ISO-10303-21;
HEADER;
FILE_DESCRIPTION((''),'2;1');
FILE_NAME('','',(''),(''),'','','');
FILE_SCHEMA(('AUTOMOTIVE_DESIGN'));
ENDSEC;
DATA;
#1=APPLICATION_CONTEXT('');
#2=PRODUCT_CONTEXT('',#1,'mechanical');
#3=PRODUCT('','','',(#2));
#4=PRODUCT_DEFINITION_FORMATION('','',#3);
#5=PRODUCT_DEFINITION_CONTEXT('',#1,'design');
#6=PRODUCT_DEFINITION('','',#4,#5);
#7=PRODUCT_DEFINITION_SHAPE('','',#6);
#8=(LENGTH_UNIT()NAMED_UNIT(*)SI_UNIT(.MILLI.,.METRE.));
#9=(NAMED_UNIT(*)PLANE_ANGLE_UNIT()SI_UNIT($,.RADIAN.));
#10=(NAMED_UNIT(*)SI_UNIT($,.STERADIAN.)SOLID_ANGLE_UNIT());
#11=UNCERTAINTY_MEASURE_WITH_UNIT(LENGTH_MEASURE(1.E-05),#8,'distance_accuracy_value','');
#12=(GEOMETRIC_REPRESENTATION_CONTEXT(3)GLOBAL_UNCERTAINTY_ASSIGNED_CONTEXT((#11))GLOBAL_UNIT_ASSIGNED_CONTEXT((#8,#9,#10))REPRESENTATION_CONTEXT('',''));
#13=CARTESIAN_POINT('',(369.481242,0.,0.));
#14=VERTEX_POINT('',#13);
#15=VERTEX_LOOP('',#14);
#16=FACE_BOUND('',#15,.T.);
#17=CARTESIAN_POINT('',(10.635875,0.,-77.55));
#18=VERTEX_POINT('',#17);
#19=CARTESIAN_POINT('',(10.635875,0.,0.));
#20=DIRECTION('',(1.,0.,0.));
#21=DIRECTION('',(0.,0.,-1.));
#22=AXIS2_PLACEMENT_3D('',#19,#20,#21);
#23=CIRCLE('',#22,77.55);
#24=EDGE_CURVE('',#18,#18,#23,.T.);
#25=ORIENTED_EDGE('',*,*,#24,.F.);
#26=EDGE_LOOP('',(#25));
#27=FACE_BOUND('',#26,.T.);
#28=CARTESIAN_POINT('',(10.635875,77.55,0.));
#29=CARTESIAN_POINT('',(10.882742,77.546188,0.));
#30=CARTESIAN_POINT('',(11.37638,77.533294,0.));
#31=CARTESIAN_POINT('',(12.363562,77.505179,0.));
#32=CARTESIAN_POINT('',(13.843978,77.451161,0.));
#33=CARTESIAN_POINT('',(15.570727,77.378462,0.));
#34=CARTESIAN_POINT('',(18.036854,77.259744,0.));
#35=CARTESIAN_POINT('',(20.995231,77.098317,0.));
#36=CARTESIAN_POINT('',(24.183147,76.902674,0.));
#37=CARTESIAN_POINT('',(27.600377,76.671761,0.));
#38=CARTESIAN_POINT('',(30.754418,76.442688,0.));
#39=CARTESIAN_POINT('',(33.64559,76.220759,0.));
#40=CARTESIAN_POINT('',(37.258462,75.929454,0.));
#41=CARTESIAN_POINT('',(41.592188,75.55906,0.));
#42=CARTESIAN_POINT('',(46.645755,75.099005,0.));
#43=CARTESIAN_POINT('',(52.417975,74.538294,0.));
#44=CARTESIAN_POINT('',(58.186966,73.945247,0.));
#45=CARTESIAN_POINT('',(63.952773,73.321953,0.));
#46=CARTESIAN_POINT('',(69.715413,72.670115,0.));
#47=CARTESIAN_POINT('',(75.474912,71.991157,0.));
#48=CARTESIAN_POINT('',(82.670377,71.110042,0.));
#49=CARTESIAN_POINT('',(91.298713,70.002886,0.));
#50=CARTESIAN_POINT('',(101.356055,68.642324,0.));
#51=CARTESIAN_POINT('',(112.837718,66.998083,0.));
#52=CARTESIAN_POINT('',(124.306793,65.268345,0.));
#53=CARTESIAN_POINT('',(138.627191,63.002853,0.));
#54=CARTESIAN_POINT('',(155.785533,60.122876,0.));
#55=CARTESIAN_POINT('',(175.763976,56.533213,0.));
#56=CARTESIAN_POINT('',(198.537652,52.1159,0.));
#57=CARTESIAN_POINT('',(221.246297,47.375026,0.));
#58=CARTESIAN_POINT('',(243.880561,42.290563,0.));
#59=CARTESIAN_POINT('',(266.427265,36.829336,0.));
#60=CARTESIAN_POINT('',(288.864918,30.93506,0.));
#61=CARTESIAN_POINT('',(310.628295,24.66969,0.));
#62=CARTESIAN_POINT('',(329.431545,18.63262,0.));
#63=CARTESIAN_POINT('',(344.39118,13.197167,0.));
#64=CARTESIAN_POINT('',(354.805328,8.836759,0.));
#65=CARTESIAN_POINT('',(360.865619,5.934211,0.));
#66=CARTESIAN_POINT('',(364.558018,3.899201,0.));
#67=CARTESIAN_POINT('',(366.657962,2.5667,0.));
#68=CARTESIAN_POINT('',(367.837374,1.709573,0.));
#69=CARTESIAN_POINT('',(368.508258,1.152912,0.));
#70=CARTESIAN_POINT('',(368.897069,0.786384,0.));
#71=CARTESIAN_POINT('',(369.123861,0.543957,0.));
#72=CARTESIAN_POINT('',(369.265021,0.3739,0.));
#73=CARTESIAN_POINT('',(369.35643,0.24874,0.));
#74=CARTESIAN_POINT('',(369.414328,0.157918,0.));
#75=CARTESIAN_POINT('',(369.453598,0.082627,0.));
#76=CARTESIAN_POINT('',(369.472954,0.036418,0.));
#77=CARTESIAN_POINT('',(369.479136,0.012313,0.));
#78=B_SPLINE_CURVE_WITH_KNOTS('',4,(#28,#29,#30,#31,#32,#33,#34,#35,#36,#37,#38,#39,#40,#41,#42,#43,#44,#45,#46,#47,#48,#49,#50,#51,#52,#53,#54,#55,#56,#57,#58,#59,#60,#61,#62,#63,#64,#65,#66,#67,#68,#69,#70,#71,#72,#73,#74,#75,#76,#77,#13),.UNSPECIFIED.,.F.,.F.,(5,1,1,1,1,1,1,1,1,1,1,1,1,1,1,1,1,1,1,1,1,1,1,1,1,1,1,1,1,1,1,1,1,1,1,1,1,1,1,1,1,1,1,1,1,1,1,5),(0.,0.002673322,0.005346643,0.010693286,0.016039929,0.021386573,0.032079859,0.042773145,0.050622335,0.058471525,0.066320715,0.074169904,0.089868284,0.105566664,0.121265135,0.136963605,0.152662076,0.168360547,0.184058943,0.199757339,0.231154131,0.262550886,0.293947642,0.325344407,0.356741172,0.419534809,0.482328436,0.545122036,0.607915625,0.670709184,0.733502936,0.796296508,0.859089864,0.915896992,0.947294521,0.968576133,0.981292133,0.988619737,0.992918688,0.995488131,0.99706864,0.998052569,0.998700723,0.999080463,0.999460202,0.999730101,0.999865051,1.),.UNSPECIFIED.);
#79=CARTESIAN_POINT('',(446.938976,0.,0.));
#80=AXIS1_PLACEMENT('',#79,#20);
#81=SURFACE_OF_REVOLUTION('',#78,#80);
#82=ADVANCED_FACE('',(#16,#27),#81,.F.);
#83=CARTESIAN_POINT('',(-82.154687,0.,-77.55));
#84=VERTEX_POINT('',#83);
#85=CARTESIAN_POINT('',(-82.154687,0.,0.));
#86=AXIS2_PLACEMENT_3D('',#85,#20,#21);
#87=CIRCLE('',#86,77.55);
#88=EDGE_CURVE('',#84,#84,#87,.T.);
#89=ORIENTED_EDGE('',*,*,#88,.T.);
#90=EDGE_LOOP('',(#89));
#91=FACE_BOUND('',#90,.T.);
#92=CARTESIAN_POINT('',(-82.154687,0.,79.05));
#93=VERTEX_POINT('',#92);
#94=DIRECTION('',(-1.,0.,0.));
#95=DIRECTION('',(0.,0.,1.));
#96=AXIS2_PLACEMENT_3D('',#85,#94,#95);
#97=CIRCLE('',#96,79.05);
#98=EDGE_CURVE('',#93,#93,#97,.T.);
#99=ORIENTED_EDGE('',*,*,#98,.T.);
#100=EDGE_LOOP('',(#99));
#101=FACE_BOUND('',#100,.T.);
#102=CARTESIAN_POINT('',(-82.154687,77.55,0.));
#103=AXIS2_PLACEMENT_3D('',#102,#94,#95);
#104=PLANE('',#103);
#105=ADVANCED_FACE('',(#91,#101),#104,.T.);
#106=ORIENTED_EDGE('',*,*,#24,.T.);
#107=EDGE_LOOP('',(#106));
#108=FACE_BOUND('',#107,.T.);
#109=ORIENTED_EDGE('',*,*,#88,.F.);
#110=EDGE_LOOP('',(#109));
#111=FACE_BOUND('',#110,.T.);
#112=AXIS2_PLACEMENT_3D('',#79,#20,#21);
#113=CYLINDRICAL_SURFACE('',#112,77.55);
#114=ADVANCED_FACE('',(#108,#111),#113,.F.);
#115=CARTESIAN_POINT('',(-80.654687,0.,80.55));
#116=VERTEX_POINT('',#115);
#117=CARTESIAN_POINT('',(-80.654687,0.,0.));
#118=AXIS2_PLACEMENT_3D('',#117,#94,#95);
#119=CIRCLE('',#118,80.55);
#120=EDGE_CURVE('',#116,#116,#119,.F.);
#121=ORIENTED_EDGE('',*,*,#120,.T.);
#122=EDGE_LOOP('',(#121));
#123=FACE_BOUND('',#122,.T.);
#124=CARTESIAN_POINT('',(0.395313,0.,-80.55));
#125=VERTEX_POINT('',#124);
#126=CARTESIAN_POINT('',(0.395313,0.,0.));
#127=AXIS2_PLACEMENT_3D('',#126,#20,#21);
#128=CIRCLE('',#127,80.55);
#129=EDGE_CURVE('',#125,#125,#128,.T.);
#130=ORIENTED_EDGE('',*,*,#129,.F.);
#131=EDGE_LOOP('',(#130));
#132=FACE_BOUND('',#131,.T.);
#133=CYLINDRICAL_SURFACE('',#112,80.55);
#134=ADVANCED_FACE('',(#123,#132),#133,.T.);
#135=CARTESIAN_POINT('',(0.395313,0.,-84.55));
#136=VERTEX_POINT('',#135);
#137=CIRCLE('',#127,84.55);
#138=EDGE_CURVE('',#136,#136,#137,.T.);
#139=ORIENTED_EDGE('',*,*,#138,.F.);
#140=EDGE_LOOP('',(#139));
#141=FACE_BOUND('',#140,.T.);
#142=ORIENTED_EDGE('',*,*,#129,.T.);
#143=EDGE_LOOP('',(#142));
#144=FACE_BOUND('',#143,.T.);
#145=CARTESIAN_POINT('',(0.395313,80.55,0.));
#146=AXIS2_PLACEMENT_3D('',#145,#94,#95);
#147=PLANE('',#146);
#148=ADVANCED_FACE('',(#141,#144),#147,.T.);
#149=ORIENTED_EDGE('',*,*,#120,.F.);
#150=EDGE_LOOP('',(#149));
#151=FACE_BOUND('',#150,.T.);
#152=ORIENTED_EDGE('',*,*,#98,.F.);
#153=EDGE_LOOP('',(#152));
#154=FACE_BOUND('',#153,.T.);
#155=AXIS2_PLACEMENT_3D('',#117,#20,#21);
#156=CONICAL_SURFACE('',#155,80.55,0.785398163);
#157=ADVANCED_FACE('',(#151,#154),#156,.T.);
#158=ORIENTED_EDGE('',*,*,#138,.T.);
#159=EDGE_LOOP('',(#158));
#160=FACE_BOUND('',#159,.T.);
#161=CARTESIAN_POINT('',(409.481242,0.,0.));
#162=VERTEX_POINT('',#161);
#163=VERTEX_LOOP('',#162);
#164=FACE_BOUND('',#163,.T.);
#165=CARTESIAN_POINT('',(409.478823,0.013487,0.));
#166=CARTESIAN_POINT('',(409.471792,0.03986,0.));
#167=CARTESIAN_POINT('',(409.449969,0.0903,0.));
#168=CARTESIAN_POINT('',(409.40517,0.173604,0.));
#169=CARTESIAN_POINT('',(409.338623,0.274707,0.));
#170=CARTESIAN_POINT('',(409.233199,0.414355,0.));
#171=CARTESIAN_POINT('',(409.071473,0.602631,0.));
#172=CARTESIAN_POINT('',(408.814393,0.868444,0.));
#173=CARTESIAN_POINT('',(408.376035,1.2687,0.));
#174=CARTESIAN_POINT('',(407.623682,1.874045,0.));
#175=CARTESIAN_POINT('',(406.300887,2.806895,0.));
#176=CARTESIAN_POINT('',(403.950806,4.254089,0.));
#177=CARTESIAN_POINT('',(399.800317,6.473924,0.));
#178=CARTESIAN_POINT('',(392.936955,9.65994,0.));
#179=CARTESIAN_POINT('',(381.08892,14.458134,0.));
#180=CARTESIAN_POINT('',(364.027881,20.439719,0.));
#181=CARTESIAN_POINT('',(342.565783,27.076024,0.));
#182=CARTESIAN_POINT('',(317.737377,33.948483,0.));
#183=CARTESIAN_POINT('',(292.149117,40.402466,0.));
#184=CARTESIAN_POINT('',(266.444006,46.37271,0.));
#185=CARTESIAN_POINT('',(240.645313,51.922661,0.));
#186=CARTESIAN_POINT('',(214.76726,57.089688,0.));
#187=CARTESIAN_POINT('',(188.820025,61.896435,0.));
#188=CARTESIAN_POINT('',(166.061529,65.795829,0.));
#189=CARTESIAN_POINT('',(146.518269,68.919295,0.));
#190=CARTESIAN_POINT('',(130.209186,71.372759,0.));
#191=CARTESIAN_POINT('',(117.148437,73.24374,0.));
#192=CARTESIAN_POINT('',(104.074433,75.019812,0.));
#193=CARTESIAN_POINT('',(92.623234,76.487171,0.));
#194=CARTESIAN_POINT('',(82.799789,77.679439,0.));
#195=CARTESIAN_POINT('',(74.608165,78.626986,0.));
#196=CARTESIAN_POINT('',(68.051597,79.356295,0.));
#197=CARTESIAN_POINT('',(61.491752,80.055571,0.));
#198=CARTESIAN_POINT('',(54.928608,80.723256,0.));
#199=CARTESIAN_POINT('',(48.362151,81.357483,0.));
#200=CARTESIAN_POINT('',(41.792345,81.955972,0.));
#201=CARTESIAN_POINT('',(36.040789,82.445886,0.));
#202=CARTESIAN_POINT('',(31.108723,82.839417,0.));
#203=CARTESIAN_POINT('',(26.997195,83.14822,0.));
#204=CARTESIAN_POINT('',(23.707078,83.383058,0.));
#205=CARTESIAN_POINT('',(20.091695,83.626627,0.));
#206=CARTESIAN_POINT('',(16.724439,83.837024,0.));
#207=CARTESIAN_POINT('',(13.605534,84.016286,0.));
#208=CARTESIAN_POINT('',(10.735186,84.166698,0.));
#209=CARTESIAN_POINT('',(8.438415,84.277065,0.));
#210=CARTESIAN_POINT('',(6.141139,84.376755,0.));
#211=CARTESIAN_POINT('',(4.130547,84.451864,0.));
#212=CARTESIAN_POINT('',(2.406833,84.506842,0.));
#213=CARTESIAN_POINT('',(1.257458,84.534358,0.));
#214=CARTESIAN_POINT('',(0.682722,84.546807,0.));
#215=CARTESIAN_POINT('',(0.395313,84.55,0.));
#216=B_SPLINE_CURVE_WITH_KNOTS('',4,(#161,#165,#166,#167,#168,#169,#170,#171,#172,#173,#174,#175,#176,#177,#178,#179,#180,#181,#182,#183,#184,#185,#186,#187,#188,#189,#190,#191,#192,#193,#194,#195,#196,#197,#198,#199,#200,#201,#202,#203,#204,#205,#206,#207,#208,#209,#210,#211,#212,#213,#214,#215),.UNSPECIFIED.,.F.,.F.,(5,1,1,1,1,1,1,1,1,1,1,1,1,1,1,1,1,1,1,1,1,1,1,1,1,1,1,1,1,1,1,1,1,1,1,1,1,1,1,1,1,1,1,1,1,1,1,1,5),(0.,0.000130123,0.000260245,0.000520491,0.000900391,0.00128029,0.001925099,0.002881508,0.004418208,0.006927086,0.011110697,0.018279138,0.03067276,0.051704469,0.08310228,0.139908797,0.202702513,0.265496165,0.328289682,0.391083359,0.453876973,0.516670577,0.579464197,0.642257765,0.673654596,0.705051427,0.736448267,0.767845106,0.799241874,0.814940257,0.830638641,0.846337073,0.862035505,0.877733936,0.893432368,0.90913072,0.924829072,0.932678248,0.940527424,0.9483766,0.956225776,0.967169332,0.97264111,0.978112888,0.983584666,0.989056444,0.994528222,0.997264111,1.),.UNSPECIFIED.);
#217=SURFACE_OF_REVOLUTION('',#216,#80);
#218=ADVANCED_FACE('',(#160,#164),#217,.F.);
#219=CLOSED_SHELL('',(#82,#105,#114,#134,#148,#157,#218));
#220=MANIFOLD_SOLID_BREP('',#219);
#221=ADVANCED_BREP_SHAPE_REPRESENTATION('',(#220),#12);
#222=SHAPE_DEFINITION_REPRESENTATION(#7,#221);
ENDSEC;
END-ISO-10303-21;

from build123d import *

# Parameters (mm, degrees)
CHAMFER1_SIZE = 1.5


with BuildPart() as part:
    # Sketch10 → Revolve1 (revolve)
    with BuildSketch(Plane.XY):
        with BuildLine():
            Line((10.635874649, 77.55), (-82.154687473, 77.55))
            Line((-82.154687473, 77.55), (-82.154687473, 80.55))
            Line((-82.154687473, 80.55), (0.395312527, 80.55))
            Line((0.395312527, 80.55), (0.395312527, 84.55))
            add(Edge.make_bspline(
                [(409.481241764, 0), (409.478822602, 0.013487485), (409.471791677, 0.039860166), (409.44996872, 0.090299923), (409.405170369, 0.17360441), (409.338622841, 0.274707126), (409.233198984, 0.41435486), (409.071473276, 0.602630626), (408.814393211, 0.868443814), (408.376034855, 1.268699656), (407.623681971, 1.874044786), (406.300886659, 2.80689474), (403.950805973, 4.254089379), (399.800317204, 6.473924098), (392.936954952, 9.659940464), (381.088920065, 14.458133958), (364.027881021, 20.439719136), (342.565783158, 27.076024485), (317.737377085, 33.948483164), (292.149117176, 40.40246553), (266.444005618, 46.372709865), (240.645313143, 51.922660722), (214.767260005, 57.089687778), (188.820024567, 61.896435261), (166.061529058, 65.795828503), (146.518269237, 68.91929539), (130.209185955, 71.372758968), (117.148436808, 73.24373966), (104.074432981, 75.019811614), (92.623234339, 76.487170689), (82.799789073, 77.679439415), (74.608164803, 78.626986039), (68.051597153, 79.356294804), (61.491752048, 80.05557077), (54.928607929, 80.723256072), (48.362151485, 81.357482811), (41.792344871, 81.955972251), (36.040789439, 82.445886318), (31.108722933, 82.839416847), (26.997195352, 83.148219974), (23.707077769, 83.383057729), (20.091694532, 83.626627241), (16.724439325, 83.837024008), (13.60553361, 84.016286235), (10.735186496, 84.166698043), (8.43841491, 84.277064727), (6.141138628, 84.376754941), (4.13054718, 84.451863988), (2.40683331, 84.506841756), (1.257457843, 84.534358411), (0.682722204, 84.546806796), (0.395312527, 84.55)],
                knots=[0, 0, 0, 0, 0, 0.000130123, 0.000260245, 0.000520491, 0.000900391, 0.00128029, 0.001925099, 0.002881508, 0.004418208, 0.006927086, 0.011110697, 0.018279138, 0.03067276, 0.051704469, 0.08310228, 0.139908797, 0.202702513, 0.265496165, 0.328289682, 0.391083359, 0.453876973, 0.516670577, 0.579464197, 0.642257765, 0.673654596, 0.705051427, 0.736448267, 0.767845106, 0.799241874, 0.814940257, 0.830638641, 0.846337073, 0.862035505, 0.877733936, 0.893432368, 0.90913072, 0.924829072, 0.932678248, 0.940527424, 0.9483766, 0.956225776, 0.967169332, 0.97264111, 0.978112888, 0.983584666, 0.989056444, 0.994528222, 0.997264111, 1, 1, 1, 1, 1], degree=4))
            Line((409.481241764, 0), (369.481241764, 0))
            add(Edge.make_bspline(
                [(369.481241764, 0), (369.479136427, 0.012313297), (369.472953977, 0.036418276), (369.45359797, 0.082627122), (369.414328459, 0.157917729), (369.356429793, 0.248740065), (369.265020656, 0.373899739), (369.123861296, 0.543957157), (368.897069053, 0.786384211), (368.508258256, 1.152912242), (367.837373575, 1.709573455), (366.657962177, 2.566700168), (364.558017618, 3.899200908), (360.865618953, 5.934211086), (354.805328477, 8.836759468), (344.391180354, 13.197167349), (329.431545128, 18.632620483), (310.628295275, 24.669689899), (288.864918388, 30.935059762), (266.427265346, 36.829336196), (243.880560946, 42.290562892), (221.246296693, 47.375026348), (198.537651833, 52.115899956), (175.763975962, 56.533212855), (155.78553292, 60.122875559), (138.627190745, 63.002853292), (124.306793182, 65.268344632), (112.837717735, 66.998082779), (101.356055229, 68.642323644), (91.298712805, 70.002886444), (82.670377365, 71.110042236), (75.47491226, 71.991156585), (69.715412986, 72.670115403), (63.95277294, 73.321953145), (58.186965818, 73.945246758), (52.417974559, 74.538293621), (46.645754847, 75.099004997), (41.592187646, 75.559059761), (37.258461535, 75.929453889), (33.645590132, 76.220759301), (30.754418422, 76.442688114), (27.600376545, 76.671760648), (24.183147106, 76.902673679), (20.995230634, 77.098317274), (18.036853679, 77.259743837), (15.57072725, 77.378462484), (13.843977698, 77.451161401), (12.363561894, 77.505178568), (11.376380067, 77.533293738), (10.882741728, 77.546187792), (10.635874649, 77.55)],
                knots=[0, 0, 0, 0, 0, 0.000134949, 0.000269899, 0.000539798, 0.000919537, 0.001299277, 0.001947431, 0.00293136, 0.004511869, 0.007081312, 0.011380263, 0.018707867, 0.031423867, 0.052705479, 0.084103008, 0.140910136, 0.203703492, 0.266497064, 0.329290816, 0.392084375, 0.454877964, 0.517671564, 0.580465191, 0.643258828, 0.674655593, 0.706052358, 0.737449114, 0.768845869, 0.800242661, 0.815941057, 0.831639453, 0.847337924, 0.863036395, 0.878734865, 0.894433336, 0.910131716, 0.925830096, 0.933679285, 0.941528475, 0.949377665, 0.957226855, 0.967920141, 0.978613427, 0.983960071, 0.989306714, 0.994653357, 0.997326678, 1, 1, 1, 1, 1], degree=4))
        make_face()
    revolve(axis=Axis((446.938975823, 0, 0), (-1, 0, 0)))

    # Chamfer1
    chamfer1_edges = [part.edges().sort_by_distance(p)[0] for p in [
        (-82.154687473, -80.55, 0),
    ]]
    chamfer(chamfer1_edges, length=CHAMFER1_SIZE)


solid = part.part
